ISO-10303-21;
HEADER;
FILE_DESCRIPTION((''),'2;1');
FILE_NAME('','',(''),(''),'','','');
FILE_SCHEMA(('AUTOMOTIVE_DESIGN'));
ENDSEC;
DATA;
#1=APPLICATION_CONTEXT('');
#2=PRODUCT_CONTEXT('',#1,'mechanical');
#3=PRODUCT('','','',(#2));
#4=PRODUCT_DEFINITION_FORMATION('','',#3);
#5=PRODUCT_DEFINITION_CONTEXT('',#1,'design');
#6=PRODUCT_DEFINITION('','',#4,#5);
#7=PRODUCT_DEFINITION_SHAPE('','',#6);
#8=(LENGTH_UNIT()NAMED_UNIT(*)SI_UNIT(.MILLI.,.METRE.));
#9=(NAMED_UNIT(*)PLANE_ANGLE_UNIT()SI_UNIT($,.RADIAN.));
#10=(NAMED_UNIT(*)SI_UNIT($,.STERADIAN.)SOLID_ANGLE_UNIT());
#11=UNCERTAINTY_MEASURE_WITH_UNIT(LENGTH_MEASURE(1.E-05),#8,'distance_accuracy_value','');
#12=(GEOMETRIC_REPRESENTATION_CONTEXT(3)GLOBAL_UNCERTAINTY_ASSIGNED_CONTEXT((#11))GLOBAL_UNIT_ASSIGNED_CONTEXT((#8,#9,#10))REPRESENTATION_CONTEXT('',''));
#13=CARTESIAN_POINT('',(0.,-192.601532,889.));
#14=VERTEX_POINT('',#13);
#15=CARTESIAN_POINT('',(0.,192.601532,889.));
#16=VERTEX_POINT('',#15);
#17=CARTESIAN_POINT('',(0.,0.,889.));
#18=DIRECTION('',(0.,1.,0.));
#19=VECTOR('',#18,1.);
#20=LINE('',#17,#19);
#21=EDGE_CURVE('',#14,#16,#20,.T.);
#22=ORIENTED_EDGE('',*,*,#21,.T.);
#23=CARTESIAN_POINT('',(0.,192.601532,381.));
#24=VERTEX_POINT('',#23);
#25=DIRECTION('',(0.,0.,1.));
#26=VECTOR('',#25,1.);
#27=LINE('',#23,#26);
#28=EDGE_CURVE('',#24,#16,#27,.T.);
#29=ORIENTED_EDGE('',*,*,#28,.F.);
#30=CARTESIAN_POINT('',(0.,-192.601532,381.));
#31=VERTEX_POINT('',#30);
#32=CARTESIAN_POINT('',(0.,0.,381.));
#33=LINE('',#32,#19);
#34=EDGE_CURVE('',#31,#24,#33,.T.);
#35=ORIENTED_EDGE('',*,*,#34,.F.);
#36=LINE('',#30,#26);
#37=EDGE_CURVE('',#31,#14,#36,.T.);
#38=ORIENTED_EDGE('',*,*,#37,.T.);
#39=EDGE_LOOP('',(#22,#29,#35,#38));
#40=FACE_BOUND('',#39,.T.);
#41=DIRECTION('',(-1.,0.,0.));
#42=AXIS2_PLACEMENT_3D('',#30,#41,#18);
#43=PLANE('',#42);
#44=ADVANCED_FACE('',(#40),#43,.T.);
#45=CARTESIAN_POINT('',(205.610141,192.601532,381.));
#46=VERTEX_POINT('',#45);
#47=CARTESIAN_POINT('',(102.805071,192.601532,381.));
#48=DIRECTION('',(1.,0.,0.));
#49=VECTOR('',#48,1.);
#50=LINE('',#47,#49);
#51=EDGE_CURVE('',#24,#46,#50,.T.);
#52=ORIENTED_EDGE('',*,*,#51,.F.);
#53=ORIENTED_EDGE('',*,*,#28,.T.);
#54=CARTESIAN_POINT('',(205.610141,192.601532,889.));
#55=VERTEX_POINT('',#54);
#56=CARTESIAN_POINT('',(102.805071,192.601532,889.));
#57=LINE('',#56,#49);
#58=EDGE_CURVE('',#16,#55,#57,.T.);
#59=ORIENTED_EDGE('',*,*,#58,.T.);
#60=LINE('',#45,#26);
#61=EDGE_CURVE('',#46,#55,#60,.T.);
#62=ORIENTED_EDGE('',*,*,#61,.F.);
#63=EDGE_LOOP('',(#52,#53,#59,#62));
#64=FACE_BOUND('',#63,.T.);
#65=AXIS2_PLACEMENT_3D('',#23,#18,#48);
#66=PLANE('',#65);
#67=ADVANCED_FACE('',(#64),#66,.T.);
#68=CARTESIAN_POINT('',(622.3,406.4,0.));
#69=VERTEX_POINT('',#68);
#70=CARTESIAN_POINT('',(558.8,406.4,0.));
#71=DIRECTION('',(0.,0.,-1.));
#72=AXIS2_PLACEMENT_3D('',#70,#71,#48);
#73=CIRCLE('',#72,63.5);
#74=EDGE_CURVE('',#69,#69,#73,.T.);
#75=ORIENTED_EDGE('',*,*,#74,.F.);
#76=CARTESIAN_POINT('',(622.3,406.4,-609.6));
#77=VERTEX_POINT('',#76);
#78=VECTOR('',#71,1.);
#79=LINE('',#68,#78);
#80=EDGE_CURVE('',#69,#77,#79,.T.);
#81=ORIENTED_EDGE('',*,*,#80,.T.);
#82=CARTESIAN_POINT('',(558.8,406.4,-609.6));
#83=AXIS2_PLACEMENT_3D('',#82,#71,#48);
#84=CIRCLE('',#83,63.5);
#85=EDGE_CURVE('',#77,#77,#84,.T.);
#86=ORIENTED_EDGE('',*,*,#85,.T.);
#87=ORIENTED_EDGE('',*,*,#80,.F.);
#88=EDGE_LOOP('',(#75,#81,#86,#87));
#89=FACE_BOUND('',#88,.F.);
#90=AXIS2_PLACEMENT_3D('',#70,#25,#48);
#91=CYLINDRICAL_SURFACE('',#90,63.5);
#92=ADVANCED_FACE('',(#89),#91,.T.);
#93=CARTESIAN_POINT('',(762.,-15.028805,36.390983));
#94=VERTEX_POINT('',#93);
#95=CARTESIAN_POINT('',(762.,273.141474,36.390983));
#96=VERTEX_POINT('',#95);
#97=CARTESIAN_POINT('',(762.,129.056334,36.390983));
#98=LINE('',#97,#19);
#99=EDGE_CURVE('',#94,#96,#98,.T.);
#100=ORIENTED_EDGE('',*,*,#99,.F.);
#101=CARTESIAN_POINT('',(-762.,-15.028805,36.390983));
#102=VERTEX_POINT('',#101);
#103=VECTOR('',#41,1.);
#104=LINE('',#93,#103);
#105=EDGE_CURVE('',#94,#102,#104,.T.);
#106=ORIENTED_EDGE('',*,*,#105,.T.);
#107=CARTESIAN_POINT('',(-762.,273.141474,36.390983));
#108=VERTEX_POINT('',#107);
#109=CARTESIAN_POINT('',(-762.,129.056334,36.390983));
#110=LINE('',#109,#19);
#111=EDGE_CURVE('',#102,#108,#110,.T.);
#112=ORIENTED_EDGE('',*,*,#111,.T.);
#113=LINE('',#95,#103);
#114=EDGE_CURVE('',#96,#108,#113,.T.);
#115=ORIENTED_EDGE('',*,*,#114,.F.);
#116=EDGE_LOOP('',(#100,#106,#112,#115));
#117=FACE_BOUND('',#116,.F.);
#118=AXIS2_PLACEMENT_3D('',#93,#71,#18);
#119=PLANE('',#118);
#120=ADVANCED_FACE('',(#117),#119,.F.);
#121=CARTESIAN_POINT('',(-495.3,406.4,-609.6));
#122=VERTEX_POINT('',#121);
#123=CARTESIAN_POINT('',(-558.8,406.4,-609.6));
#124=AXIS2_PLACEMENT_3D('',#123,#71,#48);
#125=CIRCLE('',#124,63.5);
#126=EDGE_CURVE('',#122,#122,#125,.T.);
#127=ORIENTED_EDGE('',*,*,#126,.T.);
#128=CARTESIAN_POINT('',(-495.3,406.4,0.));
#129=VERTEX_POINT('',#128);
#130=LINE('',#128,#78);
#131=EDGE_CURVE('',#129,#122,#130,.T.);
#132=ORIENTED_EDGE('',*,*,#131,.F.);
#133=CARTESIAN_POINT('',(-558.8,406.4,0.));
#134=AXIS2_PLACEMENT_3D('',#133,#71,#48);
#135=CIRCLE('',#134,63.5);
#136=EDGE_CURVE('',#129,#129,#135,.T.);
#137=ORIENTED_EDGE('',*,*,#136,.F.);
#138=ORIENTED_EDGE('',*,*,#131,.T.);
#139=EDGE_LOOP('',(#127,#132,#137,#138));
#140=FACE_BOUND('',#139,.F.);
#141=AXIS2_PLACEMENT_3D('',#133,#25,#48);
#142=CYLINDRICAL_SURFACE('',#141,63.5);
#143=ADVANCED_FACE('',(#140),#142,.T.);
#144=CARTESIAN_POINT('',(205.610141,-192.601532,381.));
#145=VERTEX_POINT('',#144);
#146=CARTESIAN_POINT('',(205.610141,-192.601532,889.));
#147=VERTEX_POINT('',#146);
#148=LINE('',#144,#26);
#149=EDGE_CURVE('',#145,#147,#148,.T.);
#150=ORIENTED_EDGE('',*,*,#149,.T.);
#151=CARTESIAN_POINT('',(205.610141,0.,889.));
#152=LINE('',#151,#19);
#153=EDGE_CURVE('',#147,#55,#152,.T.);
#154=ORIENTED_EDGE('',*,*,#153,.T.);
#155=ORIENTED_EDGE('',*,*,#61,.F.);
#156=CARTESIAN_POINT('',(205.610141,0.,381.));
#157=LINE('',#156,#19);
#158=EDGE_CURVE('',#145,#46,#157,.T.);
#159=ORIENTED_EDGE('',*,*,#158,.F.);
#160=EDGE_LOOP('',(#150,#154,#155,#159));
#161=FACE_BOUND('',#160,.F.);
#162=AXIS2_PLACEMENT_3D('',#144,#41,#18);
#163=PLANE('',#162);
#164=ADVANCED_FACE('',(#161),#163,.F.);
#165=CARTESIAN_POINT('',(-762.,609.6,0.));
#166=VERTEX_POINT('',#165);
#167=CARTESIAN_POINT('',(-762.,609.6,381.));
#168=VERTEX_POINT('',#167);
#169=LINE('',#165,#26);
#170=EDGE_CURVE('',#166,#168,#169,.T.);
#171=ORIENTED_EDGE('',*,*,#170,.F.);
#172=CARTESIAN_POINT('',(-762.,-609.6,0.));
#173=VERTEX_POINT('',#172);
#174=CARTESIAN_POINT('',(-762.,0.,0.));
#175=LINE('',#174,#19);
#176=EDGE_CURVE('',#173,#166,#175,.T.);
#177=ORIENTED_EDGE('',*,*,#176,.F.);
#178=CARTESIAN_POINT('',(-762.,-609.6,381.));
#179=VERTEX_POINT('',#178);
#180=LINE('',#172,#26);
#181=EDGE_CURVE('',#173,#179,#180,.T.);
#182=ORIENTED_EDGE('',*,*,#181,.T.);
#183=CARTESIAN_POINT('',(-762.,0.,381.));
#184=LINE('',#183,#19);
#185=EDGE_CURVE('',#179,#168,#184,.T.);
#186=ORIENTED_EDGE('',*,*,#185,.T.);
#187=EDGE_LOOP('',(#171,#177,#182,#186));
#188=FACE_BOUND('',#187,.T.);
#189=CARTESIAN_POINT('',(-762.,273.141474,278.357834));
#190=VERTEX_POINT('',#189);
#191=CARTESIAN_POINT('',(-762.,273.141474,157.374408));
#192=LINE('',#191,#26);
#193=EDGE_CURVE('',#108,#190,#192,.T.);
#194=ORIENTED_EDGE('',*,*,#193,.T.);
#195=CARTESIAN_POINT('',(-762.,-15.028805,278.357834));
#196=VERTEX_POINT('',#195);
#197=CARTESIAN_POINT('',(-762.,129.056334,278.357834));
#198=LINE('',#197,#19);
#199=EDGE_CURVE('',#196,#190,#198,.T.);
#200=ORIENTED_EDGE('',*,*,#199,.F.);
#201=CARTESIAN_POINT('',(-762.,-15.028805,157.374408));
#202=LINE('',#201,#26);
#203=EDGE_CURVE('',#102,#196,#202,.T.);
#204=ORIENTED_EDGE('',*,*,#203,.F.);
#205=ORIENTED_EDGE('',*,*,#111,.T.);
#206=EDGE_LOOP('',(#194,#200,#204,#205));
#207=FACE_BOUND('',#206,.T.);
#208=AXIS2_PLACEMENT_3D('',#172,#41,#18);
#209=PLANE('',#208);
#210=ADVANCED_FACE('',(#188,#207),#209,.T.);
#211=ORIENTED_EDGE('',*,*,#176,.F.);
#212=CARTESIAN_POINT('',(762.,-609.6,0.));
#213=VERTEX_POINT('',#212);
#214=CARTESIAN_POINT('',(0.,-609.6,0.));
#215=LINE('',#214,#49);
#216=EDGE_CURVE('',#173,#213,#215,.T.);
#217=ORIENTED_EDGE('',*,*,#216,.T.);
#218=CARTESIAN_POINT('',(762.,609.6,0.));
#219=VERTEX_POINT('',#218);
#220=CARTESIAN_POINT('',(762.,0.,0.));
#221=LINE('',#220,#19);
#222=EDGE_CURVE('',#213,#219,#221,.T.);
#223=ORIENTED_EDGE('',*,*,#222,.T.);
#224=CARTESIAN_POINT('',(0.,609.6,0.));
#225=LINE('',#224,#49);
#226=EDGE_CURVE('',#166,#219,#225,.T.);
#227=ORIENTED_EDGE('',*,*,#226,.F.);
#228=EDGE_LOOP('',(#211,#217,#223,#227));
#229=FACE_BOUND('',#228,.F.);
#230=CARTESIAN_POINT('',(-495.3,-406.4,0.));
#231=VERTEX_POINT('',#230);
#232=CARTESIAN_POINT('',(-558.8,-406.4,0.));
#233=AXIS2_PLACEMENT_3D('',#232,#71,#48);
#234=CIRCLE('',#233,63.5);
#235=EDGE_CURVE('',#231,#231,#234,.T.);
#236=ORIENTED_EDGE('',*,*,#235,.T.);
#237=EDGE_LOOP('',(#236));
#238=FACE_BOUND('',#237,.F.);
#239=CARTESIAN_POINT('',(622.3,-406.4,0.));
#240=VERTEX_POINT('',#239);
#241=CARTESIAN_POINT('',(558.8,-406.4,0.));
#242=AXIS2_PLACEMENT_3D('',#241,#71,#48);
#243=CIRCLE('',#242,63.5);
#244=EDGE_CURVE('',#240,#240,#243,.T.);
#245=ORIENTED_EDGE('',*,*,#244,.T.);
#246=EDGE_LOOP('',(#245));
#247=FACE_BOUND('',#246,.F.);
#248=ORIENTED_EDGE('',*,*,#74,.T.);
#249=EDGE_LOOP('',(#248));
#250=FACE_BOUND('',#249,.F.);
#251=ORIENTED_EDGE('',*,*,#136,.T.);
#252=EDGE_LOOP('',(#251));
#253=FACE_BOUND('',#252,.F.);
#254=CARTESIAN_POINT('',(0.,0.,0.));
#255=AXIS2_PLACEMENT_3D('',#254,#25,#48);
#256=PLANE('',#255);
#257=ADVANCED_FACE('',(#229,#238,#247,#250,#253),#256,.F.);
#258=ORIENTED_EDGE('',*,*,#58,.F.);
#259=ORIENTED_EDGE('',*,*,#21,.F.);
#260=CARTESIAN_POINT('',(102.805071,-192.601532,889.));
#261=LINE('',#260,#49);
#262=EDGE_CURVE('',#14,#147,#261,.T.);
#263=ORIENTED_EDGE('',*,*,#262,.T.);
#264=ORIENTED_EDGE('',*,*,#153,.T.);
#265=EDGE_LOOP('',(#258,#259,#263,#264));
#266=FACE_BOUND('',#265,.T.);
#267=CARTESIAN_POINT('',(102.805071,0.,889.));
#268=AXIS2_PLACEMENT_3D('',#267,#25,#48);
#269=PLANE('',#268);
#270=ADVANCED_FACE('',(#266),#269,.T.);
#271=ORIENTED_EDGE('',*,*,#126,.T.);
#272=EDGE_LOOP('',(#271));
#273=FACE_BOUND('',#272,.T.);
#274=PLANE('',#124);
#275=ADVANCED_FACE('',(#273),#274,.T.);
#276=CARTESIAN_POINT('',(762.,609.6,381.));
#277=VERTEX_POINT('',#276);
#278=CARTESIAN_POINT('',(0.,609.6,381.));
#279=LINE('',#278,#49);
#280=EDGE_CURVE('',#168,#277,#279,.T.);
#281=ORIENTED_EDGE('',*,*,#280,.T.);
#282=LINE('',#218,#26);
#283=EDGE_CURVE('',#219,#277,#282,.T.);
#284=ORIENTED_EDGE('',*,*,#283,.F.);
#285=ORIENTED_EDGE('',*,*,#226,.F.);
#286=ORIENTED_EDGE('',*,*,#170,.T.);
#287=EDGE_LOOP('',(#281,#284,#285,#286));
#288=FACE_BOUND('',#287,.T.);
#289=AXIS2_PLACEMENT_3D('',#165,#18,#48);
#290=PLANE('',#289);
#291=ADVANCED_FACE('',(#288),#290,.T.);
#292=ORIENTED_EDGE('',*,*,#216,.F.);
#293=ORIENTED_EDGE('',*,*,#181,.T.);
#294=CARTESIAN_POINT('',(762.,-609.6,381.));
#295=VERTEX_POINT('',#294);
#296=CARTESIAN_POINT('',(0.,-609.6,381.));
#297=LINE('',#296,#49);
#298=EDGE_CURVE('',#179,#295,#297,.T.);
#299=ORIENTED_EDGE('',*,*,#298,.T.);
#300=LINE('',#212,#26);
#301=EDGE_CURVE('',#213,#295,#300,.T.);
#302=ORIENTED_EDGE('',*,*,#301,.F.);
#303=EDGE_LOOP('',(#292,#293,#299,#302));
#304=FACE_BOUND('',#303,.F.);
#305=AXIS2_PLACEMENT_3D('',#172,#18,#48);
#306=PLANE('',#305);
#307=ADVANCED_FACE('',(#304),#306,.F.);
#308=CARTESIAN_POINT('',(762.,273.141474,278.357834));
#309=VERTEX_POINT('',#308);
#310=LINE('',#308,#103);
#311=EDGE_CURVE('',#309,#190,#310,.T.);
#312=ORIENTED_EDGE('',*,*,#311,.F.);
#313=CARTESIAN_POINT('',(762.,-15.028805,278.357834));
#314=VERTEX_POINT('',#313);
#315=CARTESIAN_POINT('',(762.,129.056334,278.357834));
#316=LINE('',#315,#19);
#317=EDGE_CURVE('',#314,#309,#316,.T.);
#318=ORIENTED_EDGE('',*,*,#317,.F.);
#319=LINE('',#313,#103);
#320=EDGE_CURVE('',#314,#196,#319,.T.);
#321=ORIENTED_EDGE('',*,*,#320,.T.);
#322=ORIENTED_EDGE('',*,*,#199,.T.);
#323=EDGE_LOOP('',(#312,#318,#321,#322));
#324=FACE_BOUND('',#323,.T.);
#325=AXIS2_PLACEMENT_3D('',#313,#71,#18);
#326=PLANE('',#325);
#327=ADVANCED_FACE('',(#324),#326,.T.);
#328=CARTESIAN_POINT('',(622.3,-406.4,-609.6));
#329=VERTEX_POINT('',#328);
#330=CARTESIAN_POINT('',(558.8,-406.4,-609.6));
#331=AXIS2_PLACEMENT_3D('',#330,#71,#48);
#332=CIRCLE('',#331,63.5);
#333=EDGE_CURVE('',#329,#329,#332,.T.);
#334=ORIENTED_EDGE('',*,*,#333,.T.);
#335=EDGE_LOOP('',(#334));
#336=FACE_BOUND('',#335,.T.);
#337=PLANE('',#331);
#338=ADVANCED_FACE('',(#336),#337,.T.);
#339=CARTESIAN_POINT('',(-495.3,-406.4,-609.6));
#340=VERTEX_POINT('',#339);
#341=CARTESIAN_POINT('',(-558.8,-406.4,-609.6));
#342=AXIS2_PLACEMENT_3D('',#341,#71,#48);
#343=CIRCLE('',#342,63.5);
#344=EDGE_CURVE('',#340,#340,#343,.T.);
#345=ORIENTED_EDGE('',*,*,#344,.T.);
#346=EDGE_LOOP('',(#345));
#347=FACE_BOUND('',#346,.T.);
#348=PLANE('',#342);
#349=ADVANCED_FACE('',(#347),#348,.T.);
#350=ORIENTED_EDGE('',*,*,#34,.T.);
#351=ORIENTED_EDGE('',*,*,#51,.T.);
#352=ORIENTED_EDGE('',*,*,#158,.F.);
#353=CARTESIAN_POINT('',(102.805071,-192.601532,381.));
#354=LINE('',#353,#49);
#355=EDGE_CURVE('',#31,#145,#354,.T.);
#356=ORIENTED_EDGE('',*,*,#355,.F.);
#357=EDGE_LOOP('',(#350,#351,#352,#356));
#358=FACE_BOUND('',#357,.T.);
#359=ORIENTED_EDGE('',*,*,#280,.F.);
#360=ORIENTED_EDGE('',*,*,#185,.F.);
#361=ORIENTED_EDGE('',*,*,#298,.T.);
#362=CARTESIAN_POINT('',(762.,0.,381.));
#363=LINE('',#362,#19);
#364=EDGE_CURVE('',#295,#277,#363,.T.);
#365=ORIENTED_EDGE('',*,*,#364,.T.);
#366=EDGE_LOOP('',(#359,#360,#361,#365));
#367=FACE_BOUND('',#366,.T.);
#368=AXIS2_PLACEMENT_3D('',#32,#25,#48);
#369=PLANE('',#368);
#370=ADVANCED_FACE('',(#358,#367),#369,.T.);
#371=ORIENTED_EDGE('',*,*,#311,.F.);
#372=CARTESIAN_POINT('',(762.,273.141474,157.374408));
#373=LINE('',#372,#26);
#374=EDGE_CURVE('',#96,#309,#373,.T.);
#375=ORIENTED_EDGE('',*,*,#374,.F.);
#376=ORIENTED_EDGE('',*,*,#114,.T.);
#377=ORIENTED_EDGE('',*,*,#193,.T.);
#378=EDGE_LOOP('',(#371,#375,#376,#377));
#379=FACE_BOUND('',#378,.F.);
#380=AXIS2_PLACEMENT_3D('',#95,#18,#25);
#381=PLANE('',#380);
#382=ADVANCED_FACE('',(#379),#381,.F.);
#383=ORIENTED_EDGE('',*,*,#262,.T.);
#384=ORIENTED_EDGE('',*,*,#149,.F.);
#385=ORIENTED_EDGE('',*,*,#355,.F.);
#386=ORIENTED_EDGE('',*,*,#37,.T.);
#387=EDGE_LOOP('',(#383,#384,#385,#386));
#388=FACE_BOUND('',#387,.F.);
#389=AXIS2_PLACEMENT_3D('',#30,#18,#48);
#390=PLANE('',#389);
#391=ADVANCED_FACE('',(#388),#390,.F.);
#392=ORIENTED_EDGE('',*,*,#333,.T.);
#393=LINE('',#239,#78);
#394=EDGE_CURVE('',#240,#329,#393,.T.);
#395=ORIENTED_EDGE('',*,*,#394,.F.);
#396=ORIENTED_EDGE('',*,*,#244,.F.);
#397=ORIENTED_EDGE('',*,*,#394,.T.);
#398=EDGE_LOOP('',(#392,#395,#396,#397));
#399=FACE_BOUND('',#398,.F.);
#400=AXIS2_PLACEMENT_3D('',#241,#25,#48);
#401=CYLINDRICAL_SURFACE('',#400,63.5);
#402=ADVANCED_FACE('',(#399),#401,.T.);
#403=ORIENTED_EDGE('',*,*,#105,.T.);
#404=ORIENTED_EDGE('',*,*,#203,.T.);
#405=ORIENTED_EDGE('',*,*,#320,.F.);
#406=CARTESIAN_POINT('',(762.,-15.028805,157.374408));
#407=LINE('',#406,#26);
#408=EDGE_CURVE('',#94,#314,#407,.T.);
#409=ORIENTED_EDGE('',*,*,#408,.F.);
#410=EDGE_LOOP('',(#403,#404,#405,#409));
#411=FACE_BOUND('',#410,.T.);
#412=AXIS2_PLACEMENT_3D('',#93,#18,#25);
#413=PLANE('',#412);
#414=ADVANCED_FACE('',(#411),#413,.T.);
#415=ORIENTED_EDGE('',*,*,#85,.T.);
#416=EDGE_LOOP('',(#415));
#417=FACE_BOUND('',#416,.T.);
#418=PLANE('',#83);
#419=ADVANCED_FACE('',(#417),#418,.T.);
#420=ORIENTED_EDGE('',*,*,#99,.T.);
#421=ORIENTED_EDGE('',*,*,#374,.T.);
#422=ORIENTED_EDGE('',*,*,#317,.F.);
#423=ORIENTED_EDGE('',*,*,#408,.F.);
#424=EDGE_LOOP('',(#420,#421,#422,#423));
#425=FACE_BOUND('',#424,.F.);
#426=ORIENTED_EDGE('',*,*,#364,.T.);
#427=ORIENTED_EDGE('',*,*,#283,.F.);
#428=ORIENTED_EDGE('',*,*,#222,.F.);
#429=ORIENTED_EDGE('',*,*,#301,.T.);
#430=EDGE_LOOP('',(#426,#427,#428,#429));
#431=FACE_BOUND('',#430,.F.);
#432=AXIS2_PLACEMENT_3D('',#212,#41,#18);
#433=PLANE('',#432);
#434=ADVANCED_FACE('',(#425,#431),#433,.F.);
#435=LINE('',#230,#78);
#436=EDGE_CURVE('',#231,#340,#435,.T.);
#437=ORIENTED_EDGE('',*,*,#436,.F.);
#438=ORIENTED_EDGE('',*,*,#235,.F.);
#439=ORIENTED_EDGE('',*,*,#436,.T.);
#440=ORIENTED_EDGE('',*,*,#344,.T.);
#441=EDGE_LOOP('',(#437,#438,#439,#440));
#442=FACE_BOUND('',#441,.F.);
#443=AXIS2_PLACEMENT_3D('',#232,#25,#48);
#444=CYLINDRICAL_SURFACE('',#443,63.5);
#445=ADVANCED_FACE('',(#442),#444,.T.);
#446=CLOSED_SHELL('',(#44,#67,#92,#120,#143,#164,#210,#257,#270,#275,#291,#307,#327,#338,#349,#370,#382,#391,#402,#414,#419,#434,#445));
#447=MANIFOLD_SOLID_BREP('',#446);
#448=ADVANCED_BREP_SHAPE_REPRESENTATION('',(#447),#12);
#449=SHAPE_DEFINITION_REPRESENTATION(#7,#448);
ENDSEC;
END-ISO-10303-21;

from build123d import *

# Parameters (mm, degrees)
F0_W     = 1524
F0_H     = 1219.2
F1_DEPTH = 381
F2_R     = 63.5
F3_DEPTH = 609.6
F4_W     = 288.1702780724
F4_H     = 241.9668510556
F5_DEPTH = 1524
F7_W     = 205.6101411581
F7_H     = 385.203063488
F8_DEPTH = 508


with BuildPart() as f1:
    # F0 (on Top) → F1 (new body)
    with BuildSketch(Plane.XY):
        Rectangle(F0_W, F0_H)
    extrude(amount=F1_DEPTH)

    # F2 (on face) → F3 (join)
    with BuildSketch(Plane(origin=(0, 0, 0), x_dir=(1, 0, 0), z_dir=(0, 0, -1))):
        with Locations((-558.8, -406.4)):
            Circle(F2_R)
        with Locations((-558.8, 406.4)):
            Circle(F2_R)
        with Locations((558.8, 406.4)):
            Circle(F2_R)
        with Locations((558.8, -406.4)):
            Circle(F2_R)
    extrude(amount=F3_DEPTH)

    # F4 (on face) → F5 (cut, through all)
    with BuildSketch(Plane.YZ.offset(762)):
        with Locations((129.0563344955, 157.3744080961)):
            Rectangle(F4_W, F4_H)
    extrude(amount=-F5_DEPTH, mode=Mode.SUBTRACT)

    # F7 (on face) → F8 (join)
    with BuildSketch(Plane.XY.offset(381)):
        with Locations((102.8050705791, 0)):
            Rectangle(F7_W, F7_H)
    extrude(amount=F8_DEPTH)


solid = f1.part
